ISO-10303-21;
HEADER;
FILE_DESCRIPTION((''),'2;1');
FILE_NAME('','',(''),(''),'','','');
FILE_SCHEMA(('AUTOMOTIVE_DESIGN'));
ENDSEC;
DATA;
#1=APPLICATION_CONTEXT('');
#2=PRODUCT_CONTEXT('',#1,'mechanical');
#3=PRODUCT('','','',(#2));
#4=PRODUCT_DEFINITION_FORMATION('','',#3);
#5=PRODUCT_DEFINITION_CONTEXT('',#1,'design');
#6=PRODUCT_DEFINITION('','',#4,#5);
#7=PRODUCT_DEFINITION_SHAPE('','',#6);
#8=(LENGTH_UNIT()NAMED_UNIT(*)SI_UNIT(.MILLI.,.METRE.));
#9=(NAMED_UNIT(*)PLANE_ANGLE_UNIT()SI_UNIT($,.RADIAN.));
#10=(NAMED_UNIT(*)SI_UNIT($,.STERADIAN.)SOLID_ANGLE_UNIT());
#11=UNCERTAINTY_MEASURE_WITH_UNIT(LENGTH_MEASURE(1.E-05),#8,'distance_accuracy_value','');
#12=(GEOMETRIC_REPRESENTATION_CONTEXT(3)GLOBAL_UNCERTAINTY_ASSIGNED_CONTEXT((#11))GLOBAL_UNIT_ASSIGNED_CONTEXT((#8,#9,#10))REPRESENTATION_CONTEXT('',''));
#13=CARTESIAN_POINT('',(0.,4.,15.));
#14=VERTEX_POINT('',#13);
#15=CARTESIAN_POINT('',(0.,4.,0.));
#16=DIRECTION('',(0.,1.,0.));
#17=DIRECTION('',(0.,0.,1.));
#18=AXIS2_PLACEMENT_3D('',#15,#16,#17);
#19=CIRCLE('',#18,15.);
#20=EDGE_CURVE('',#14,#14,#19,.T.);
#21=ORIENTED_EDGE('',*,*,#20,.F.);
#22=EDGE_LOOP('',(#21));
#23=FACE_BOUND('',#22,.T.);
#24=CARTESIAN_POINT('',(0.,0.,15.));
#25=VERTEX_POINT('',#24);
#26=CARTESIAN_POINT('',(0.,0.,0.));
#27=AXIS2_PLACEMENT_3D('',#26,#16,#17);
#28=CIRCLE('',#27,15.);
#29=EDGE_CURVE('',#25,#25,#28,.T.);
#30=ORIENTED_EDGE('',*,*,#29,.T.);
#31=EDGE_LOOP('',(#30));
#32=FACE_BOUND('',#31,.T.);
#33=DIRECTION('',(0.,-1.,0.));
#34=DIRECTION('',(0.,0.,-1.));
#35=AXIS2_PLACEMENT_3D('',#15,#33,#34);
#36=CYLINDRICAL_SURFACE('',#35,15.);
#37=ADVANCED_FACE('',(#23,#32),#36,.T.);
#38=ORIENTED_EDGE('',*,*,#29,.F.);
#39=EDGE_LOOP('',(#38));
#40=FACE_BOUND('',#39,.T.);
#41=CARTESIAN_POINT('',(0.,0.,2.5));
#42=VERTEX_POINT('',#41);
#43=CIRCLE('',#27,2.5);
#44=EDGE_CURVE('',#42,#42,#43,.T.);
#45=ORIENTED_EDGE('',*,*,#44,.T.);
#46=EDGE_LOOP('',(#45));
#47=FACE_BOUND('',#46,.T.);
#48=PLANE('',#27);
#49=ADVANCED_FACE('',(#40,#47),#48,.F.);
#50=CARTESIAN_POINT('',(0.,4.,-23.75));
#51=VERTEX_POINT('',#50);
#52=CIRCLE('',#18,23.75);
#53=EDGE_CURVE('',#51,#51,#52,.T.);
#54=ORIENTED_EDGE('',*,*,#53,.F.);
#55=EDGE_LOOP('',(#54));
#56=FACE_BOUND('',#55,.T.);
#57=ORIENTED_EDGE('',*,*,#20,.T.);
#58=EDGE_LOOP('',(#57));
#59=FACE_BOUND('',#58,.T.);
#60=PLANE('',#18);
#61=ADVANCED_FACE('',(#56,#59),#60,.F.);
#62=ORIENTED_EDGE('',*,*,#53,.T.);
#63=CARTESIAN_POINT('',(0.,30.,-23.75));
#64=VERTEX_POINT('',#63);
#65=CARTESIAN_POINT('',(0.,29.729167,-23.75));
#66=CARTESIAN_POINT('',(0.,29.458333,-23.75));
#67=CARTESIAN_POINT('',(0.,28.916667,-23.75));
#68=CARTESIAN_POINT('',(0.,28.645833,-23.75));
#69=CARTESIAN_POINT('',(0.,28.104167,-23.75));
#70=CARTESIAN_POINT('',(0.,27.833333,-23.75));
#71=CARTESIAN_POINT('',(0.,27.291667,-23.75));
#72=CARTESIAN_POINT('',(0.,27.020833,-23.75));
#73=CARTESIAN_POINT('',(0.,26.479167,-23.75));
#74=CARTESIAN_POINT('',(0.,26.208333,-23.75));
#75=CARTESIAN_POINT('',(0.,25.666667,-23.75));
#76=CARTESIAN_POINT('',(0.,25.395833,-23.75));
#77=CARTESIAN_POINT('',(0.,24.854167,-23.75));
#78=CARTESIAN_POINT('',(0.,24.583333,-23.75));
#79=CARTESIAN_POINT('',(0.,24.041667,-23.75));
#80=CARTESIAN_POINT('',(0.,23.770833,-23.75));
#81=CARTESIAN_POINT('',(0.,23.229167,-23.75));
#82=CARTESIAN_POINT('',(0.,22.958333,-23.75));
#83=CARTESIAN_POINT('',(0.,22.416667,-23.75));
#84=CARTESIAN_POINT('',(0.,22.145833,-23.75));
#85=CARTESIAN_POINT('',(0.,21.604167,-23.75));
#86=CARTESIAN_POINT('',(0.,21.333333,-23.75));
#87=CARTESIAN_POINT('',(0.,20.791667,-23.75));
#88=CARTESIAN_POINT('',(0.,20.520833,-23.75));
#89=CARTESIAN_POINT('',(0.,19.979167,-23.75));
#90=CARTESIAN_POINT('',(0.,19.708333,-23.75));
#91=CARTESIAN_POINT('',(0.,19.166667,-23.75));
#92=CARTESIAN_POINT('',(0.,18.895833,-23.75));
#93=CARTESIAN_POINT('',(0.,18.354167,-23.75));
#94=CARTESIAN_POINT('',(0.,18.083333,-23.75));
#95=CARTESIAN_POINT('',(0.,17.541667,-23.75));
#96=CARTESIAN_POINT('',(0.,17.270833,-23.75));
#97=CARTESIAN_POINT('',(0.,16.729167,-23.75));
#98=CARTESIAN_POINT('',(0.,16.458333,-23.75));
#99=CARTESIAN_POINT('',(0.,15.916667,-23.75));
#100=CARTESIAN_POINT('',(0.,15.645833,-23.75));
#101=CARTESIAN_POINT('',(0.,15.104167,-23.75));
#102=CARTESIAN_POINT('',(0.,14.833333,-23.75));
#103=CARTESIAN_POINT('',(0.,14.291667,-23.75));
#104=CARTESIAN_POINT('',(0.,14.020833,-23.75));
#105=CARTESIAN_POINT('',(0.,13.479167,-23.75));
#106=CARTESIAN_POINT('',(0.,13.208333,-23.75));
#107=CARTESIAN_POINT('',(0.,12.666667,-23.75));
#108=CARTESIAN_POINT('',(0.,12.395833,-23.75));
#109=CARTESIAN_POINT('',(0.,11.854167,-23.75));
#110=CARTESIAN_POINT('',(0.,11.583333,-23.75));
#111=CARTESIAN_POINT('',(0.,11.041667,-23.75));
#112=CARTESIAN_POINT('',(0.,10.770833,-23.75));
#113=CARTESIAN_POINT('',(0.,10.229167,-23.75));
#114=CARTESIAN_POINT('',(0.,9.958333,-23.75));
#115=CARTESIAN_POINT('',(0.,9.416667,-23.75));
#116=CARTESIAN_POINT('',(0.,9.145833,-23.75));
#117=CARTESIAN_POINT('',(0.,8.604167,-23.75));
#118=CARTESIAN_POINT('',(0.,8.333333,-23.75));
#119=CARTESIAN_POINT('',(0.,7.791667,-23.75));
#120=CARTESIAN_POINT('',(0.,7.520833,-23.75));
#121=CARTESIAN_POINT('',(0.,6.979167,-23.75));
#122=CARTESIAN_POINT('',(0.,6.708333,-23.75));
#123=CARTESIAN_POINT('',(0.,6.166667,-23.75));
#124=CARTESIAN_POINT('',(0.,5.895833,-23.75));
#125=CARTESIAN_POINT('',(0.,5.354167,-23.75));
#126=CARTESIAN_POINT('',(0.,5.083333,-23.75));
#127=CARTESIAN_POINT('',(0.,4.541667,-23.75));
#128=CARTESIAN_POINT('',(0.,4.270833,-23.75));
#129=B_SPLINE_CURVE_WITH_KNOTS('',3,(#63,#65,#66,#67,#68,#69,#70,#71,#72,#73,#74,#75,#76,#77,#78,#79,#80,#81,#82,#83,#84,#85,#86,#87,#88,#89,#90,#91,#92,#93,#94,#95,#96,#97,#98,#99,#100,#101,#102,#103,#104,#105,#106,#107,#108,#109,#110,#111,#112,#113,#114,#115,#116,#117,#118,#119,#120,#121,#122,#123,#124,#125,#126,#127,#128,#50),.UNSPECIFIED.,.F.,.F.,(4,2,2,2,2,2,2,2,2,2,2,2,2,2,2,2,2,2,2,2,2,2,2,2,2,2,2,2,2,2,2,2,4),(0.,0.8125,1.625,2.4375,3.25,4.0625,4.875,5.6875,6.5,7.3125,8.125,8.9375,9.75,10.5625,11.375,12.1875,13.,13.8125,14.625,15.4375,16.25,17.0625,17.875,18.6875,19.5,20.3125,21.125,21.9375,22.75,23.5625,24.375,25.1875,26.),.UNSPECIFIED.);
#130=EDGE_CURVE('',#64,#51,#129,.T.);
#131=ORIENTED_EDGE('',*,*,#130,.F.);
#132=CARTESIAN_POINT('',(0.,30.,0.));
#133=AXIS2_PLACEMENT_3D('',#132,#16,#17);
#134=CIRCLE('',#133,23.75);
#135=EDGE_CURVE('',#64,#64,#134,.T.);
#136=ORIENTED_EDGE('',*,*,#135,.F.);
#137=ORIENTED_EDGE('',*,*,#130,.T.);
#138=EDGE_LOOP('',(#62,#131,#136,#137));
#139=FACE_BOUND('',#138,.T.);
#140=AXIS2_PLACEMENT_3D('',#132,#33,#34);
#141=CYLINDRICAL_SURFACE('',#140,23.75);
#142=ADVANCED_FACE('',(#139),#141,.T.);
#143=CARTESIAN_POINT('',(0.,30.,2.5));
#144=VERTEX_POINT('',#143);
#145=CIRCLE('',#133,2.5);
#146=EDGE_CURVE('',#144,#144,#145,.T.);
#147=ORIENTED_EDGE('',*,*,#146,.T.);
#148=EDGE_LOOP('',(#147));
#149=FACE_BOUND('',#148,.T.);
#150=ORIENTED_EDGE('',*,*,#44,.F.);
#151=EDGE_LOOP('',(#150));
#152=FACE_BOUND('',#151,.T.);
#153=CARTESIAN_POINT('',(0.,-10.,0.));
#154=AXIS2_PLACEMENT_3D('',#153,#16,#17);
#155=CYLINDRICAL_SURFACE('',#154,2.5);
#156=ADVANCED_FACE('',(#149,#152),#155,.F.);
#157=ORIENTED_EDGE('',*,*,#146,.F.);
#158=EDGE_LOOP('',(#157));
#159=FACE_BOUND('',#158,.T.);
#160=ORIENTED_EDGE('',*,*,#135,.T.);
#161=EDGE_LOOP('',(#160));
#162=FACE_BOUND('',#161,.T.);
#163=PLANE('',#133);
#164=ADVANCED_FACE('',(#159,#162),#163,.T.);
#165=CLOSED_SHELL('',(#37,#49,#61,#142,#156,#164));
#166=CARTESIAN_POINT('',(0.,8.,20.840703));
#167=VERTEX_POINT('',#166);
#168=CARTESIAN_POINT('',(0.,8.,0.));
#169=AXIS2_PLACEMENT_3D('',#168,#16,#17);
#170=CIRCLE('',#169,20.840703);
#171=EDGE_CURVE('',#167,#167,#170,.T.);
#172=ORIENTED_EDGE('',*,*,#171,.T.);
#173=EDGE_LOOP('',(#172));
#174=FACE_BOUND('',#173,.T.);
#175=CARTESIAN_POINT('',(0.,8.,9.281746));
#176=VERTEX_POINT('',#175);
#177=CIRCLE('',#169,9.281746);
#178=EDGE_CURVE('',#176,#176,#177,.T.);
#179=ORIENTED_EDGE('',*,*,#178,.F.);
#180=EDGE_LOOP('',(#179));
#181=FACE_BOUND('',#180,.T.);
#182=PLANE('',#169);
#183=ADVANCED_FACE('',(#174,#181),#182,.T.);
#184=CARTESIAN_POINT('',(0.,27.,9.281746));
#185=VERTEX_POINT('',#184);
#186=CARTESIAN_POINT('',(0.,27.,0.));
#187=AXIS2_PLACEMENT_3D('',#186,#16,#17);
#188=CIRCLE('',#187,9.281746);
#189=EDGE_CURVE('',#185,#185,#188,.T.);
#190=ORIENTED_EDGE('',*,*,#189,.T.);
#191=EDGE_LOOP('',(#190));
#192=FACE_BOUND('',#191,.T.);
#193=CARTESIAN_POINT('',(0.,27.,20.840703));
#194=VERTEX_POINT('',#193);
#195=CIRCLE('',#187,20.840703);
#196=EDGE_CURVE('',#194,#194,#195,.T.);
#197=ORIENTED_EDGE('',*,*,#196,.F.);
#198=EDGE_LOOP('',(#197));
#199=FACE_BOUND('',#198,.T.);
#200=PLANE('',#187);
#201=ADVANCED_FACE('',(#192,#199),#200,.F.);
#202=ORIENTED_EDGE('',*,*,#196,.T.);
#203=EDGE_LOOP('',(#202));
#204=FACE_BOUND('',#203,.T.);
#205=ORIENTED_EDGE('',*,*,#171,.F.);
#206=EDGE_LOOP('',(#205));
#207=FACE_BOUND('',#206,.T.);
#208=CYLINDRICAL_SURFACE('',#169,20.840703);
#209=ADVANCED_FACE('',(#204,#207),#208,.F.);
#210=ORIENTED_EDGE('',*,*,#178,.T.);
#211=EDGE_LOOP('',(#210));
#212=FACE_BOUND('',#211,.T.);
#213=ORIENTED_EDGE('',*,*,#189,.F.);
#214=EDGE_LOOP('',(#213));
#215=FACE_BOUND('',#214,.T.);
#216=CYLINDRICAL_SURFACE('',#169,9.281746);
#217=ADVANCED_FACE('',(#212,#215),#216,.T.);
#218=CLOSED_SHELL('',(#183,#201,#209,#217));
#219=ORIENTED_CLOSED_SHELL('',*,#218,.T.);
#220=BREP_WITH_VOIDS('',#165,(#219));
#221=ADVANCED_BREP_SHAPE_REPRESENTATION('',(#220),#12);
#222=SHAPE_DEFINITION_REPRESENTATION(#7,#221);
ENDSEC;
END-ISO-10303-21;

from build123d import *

# Parameters (mm, degrees)
CROQUIS1_R              = 15
SALIENTE_EXTRUIR1_DEPTH = 4
CROQUIS2_R              = 23.75
SALIENTE_EXTRUIR2_DEPTH = 26
CROQUIS3_R              = 2.5
CORTAR_EXTRUIR1_DEPTH   = 40
CORTAR_EXTRUIR3_START   = -3
CROQUIS4_R              = 20.840702769
CROQUIS4_R_2            = 9.281745818
CORTAR_EXTRUIR3_DEPTH   = 19


with BuildPart() as part:
    # Croquis1 → Saliente-Extruir1 (new body)
    with BuildSketch(Plane(origin=(0, 0, 0), x_dir=(1, 0, 0), z_dir=(0, 1, 0))):
        with Locations(Location((0, 0, 0), (0, 0, 270))):
            Circle(CROQUIS1_R)
    extrude(amount=SALIENTE_EXTRUIR1_DEPTH)

    # Croquis2 → Saliente-Extruir2 (add)
    with BuildSketch(Plane(origin=(0, 4, 0), x_dir=(1, 0, 0), z_dir=(0, 1, 0))):
        with Locations(Location((0, 0, 0), (0, 0, 90))):
            Circle(CROQUIS2_R)
    extrude(amount=SALIENTE_EXTRUIR2_DEPTH)

    # Croquis3 → Cortar-Extruir1 (cut)
    with BuildSketch(Plane(origin=(0, 30, 0), x_dir=(1, 0, 0), z_dir=(0, 1, 0))):
        with Locations(Location((0, 0, 0), (0, 0, 270))):
            Circle(CROQUIS3_R)
    extrude(amount=-CORTAR_EXTRUIR1_DEPTH, mode=Mode.SUBTRACT)

    # Croquis4 → Cortar-Extruir3 (cut)
    with BuildSketch(Plane(origin=(0, 30, 0), x_dir=(1, 0, 0), z_dir=(0, 1, 0)).offset(CORTAR_EXTRUIR3_START)):
        with Locations(Location((0, 0, 0), (0, 0, 270))):
            Circle(CROQUIS4_R)
        with Locations(Location((0, 0, 0), (0, 0, 270))):
            Circle(CROQUIS4_R_2, mode=Mode.SUBTRACT)
    extrude(amount=-CORTAR_EXTRUIR3_DEPTH, mode=Mode.SUBTRACT)


solid = part.part
